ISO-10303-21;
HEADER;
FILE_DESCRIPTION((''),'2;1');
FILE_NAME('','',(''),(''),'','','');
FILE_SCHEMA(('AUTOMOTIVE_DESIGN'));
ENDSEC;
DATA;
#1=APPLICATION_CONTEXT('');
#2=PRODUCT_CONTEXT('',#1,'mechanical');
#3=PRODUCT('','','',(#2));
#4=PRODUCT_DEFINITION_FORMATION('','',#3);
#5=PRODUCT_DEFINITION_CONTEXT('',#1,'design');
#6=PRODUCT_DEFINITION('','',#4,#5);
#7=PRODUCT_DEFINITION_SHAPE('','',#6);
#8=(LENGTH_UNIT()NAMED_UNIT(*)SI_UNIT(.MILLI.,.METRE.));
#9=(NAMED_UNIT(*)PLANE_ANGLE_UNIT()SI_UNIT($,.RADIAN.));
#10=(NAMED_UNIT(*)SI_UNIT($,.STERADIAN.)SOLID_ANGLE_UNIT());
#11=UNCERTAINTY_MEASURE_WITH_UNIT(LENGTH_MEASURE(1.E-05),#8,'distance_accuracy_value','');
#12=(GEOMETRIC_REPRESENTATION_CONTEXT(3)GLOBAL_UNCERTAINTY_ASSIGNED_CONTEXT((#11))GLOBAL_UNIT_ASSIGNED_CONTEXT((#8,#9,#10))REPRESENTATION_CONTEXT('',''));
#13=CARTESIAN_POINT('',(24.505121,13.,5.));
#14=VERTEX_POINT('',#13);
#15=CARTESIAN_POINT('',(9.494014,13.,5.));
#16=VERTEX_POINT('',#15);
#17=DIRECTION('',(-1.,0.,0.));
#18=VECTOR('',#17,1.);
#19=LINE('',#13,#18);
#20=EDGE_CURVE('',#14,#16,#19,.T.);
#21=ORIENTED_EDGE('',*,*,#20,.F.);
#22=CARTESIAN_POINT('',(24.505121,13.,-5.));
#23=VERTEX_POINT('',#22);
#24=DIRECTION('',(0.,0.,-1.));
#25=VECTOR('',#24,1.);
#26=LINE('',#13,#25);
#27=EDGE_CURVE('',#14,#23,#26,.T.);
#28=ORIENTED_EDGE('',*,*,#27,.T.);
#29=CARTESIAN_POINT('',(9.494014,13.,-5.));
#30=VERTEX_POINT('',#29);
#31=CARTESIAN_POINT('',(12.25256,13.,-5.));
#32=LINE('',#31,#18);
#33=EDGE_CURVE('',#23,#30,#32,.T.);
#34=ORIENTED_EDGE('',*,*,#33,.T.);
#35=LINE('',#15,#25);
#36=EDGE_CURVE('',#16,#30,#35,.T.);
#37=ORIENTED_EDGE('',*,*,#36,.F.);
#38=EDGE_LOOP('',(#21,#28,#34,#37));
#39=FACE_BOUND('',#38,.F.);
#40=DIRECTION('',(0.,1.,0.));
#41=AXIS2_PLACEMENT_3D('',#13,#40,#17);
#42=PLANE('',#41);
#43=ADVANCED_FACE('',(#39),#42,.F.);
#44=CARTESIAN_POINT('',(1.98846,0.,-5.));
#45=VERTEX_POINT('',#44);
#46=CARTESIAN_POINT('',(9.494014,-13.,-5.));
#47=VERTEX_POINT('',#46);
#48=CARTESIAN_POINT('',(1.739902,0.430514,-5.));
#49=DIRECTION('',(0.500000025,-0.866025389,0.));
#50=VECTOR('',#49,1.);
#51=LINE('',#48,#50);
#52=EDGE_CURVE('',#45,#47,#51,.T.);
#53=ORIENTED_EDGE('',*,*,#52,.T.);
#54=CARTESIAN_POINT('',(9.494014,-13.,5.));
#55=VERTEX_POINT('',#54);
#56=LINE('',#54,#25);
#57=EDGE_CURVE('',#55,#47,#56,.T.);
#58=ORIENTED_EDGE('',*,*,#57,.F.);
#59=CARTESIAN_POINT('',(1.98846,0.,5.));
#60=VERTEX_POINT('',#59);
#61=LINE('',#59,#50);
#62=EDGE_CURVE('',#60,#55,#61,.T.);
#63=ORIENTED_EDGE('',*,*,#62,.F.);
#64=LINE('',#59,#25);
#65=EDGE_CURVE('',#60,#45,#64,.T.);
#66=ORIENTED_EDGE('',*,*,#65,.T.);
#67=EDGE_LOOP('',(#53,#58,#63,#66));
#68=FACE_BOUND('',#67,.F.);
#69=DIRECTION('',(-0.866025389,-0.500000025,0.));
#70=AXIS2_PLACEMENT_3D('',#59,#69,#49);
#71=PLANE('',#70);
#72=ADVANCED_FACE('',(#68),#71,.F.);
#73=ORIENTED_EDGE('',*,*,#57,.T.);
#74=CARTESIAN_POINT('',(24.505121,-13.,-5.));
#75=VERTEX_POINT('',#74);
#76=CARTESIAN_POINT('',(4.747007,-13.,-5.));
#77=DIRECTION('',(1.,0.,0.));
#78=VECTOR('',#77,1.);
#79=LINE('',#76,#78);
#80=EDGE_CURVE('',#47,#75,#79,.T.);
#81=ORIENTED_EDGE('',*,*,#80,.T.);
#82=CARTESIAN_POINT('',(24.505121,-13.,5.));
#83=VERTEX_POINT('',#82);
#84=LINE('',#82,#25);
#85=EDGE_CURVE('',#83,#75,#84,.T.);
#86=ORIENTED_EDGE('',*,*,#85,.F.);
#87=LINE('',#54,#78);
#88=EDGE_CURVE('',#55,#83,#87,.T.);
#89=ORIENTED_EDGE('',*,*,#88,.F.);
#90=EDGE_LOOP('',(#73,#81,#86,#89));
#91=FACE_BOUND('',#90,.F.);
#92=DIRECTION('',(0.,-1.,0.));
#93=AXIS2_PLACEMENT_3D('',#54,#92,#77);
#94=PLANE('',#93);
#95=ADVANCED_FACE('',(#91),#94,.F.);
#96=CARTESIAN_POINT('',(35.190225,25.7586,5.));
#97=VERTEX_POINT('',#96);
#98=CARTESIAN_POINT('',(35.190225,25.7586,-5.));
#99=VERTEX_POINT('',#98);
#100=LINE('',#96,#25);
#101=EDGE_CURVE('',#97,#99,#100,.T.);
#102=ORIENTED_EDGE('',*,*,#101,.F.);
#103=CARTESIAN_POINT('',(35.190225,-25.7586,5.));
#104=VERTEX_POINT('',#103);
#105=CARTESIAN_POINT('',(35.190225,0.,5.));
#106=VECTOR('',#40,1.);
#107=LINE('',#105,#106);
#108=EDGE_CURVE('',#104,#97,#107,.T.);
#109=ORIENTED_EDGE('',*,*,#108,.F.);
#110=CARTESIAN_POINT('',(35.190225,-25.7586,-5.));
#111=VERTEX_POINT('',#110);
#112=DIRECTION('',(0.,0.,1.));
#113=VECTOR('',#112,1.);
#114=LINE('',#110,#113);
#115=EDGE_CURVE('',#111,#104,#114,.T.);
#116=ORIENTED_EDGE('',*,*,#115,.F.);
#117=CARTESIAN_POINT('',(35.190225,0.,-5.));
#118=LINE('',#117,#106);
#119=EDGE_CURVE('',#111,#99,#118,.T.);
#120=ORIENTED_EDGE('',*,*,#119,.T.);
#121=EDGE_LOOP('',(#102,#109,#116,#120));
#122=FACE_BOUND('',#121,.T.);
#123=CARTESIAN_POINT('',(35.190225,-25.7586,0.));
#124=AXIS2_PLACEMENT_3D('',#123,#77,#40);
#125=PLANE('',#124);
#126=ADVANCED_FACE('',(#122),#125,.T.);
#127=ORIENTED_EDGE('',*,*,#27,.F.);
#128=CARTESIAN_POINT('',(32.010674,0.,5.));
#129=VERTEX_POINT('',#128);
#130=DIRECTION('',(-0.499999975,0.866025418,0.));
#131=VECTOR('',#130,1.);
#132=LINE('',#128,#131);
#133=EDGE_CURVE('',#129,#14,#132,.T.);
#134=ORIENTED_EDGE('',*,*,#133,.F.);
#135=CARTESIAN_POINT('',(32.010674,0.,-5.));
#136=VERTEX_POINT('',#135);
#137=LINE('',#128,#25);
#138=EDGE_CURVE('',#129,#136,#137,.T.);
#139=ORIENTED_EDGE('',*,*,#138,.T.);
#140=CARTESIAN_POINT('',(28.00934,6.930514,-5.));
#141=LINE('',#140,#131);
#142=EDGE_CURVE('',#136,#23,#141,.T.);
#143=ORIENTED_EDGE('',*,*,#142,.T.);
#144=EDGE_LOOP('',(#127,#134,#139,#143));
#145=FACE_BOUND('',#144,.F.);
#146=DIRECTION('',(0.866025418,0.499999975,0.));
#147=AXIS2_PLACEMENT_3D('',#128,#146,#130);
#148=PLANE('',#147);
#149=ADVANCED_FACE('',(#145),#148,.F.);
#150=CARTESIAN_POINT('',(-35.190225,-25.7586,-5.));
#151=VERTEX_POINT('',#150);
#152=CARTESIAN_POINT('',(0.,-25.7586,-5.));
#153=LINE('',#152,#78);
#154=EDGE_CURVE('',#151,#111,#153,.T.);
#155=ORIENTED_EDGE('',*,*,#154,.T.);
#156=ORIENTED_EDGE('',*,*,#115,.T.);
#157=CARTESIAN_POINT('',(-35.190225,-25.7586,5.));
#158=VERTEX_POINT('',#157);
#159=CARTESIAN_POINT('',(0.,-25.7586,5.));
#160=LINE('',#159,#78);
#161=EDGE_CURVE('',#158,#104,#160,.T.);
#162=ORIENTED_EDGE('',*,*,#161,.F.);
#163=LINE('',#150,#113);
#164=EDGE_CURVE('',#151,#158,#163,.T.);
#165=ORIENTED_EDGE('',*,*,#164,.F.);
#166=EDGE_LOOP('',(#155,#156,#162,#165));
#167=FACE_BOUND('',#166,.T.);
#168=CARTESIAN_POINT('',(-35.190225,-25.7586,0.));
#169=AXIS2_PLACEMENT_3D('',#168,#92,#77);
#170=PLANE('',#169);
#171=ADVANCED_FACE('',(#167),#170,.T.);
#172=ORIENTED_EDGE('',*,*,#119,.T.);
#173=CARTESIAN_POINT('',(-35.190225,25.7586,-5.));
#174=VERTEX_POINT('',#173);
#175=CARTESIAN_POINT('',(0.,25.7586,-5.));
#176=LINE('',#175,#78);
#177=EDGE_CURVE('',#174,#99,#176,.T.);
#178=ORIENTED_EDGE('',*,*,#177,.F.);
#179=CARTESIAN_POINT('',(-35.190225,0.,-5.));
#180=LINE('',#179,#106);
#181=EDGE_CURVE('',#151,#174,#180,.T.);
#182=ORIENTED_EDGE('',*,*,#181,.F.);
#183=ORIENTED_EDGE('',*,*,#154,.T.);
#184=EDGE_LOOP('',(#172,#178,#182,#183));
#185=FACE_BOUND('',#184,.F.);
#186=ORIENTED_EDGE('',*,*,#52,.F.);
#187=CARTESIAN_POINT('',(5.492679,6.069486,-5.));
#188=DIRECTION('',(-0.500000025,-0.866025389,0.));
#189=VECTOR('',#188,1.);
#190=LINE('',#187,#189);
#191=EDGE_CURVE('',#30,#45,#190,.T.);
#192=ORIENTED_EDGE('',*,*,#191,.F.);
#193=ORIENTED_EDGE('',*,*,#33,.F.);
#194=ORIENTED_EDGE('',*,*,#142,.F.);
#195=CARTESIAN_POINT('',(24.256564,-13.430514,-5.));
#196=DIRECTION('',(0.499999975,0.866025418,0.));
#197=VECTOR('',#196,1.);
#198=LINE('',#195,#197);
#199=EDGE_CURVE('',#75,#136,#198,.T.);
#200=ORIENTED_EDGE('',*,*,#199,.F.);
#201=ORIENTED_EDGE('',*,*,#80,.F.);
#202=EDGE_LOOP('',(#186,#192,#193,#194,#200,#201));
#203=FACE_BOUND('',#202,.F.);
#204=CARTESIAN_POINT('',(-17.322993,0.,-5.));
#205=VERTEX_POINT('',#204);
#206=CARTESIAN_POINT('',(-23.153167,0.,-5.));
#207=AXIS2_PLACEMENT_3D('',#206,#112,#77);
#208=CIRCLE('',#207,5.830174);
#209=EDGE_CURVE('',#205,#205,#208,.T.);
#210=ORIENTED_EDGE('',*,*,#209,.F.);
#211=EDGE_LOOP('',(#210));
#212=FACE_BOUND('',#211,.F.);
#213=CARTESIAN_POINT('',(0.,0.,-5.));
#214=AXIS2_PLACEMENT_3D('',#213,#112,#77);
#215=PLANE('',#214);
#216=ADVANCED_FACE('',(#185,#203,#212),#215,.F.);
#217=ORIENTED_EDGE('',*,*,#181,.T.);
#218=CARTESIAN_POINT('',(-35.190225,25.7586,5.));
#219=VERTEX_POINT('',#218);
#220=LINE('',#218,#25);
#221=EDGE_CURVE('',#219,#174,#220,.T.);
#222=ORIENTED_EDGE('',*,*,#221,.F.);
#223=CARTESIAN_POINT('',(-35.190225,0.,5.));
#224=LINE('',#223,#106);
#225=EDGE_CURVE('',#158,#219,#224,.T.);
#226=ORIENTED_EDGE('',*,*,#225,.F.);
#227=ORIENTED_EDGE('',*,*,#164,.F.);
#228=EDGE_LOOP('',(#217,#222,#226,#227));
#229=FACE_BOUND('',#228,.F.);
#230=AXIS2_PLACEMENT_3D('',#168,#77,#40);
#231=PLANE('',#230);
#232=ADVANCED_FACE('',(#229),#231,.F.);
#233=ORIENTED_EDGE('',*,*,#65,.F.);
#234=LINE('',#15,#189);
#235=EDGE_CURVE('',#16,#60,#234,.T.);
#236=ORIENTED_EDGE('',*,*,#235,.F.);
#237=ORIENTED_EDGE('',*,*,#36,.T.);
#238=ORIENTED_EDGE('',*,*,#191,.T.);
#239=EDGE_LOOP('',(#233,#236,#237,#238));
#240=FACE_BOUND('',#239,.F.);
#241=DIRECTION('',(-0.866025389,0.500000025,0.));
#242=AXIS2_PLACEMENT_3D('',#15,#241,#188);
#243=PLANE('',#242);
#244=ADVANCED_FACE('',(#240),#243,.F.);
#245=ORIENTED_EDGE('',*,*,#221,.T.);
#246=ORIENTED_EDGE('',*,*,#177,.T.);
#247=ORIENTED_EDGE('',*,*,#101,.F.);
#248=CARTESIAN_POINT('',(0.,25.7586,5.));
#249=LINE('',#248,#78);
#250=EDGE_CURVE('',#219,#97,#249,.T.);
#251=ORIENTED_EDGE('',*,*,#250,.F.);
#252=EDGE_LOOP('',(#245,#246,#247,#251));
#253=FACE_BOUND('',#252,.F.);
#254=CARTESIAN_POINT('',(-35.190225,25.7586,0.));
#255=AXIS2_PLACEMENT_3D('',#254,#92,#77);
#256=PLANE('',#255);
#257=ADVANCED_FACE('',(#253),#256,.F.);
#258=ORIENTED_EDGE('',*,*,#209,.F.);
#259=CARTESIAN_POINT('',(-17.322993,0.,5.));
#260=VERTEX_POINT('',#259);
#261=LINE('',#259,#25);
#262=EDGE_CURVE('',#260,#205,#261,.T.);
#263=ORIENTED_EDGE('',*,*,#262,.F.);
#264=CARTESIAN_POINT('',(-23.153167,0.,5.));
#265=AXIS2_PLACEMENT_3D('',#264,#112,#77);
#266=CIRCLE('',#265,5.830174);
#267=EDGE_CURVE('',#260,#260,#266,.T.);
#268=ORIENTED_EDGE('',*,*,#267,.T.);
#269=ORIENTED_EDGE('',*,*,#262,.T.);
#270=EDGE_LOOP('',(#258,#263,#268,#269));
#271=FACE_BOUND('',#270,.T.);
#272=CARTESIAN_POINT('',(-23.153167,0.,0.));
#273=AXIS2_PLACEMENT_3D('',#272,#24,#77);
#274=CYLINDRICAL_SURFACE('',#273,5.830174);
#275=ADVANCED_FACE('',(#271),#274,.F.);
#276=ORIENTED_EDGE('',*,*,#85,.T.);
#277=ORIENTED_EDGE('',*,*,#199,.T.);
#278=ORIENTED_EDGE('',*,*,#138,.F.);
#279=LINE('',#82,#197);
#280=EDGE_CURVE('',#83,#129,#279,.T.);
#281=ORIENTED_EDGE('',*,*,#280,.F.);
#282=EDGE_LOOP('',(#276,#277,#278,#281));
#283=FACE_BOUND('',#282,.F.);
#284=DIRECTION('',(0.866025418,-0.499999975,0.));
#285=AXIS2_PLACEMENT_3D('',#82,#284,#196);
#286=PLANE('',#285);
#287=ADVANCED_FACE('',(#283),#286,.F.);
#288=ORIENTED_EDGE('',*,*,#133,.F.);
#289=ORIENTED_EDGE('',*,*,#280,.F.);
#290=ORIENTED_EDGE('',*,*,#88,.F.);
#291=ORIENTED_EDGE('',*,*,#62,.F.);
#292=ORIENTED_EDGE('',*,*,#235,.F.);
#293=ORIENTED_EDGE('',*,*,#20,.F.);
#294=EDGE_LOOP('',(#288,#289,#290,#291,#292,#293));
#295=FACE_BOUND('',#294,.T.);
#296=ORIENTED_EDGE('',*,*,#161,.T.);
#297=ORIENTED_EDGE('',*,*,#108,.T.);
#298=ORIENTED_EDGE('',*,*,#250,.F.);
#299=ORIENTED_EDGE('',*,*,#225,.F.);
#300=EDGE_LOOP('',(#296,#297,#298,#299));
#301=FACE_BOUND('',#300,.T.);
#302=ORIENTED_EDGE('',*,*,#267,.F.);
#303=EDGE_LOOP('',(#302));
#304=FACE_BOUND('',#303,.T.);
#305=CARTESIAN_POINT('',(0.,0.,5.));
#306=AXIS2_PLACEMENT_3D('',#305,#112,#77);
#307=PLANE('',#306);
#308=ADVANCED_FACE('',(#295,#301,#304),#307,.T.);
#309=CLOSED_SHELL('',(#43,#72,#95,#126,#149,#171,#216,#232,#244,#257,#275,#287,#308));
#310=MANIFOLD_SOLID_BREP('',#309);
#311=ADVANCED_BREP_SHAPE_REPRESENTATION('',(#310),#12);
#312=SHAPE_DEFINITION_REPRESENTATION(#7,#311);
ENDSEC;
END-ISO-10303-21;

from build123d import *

# Parameters (mm, degrees)
F0_W     = 70.38045
F0_H     = 51.5172
F0_R     = 5.830174
F1_DEPTH = 5
F3_DEPTH = 25


with BuildPart() as f1:
    # F0 (on Top) → F1 (new body, symmetric)
    with BuildSketch(Plane.XY):
        Rectangle(F0_W, F0_H)
        with Locations((-23.153167, 0)):
            Circle(F0_R, mode=Mode.SUBTRACT)
    extrude(amount=F1_DEPTH, both=True)

    # F2 (on face) → F3 (cut)
    with BuildSketch(Plane.XY.offset(5)):
        Polygon((24.505121, 13), (9.494014, 13), (1.98846, 0), (9.494014, -13), (24.505121, -13), (32.010674, 0), align=None)
    extrude(amount=-F3_DEPTH, mode=Mode.SUBTRACT)


solid = f1.part
